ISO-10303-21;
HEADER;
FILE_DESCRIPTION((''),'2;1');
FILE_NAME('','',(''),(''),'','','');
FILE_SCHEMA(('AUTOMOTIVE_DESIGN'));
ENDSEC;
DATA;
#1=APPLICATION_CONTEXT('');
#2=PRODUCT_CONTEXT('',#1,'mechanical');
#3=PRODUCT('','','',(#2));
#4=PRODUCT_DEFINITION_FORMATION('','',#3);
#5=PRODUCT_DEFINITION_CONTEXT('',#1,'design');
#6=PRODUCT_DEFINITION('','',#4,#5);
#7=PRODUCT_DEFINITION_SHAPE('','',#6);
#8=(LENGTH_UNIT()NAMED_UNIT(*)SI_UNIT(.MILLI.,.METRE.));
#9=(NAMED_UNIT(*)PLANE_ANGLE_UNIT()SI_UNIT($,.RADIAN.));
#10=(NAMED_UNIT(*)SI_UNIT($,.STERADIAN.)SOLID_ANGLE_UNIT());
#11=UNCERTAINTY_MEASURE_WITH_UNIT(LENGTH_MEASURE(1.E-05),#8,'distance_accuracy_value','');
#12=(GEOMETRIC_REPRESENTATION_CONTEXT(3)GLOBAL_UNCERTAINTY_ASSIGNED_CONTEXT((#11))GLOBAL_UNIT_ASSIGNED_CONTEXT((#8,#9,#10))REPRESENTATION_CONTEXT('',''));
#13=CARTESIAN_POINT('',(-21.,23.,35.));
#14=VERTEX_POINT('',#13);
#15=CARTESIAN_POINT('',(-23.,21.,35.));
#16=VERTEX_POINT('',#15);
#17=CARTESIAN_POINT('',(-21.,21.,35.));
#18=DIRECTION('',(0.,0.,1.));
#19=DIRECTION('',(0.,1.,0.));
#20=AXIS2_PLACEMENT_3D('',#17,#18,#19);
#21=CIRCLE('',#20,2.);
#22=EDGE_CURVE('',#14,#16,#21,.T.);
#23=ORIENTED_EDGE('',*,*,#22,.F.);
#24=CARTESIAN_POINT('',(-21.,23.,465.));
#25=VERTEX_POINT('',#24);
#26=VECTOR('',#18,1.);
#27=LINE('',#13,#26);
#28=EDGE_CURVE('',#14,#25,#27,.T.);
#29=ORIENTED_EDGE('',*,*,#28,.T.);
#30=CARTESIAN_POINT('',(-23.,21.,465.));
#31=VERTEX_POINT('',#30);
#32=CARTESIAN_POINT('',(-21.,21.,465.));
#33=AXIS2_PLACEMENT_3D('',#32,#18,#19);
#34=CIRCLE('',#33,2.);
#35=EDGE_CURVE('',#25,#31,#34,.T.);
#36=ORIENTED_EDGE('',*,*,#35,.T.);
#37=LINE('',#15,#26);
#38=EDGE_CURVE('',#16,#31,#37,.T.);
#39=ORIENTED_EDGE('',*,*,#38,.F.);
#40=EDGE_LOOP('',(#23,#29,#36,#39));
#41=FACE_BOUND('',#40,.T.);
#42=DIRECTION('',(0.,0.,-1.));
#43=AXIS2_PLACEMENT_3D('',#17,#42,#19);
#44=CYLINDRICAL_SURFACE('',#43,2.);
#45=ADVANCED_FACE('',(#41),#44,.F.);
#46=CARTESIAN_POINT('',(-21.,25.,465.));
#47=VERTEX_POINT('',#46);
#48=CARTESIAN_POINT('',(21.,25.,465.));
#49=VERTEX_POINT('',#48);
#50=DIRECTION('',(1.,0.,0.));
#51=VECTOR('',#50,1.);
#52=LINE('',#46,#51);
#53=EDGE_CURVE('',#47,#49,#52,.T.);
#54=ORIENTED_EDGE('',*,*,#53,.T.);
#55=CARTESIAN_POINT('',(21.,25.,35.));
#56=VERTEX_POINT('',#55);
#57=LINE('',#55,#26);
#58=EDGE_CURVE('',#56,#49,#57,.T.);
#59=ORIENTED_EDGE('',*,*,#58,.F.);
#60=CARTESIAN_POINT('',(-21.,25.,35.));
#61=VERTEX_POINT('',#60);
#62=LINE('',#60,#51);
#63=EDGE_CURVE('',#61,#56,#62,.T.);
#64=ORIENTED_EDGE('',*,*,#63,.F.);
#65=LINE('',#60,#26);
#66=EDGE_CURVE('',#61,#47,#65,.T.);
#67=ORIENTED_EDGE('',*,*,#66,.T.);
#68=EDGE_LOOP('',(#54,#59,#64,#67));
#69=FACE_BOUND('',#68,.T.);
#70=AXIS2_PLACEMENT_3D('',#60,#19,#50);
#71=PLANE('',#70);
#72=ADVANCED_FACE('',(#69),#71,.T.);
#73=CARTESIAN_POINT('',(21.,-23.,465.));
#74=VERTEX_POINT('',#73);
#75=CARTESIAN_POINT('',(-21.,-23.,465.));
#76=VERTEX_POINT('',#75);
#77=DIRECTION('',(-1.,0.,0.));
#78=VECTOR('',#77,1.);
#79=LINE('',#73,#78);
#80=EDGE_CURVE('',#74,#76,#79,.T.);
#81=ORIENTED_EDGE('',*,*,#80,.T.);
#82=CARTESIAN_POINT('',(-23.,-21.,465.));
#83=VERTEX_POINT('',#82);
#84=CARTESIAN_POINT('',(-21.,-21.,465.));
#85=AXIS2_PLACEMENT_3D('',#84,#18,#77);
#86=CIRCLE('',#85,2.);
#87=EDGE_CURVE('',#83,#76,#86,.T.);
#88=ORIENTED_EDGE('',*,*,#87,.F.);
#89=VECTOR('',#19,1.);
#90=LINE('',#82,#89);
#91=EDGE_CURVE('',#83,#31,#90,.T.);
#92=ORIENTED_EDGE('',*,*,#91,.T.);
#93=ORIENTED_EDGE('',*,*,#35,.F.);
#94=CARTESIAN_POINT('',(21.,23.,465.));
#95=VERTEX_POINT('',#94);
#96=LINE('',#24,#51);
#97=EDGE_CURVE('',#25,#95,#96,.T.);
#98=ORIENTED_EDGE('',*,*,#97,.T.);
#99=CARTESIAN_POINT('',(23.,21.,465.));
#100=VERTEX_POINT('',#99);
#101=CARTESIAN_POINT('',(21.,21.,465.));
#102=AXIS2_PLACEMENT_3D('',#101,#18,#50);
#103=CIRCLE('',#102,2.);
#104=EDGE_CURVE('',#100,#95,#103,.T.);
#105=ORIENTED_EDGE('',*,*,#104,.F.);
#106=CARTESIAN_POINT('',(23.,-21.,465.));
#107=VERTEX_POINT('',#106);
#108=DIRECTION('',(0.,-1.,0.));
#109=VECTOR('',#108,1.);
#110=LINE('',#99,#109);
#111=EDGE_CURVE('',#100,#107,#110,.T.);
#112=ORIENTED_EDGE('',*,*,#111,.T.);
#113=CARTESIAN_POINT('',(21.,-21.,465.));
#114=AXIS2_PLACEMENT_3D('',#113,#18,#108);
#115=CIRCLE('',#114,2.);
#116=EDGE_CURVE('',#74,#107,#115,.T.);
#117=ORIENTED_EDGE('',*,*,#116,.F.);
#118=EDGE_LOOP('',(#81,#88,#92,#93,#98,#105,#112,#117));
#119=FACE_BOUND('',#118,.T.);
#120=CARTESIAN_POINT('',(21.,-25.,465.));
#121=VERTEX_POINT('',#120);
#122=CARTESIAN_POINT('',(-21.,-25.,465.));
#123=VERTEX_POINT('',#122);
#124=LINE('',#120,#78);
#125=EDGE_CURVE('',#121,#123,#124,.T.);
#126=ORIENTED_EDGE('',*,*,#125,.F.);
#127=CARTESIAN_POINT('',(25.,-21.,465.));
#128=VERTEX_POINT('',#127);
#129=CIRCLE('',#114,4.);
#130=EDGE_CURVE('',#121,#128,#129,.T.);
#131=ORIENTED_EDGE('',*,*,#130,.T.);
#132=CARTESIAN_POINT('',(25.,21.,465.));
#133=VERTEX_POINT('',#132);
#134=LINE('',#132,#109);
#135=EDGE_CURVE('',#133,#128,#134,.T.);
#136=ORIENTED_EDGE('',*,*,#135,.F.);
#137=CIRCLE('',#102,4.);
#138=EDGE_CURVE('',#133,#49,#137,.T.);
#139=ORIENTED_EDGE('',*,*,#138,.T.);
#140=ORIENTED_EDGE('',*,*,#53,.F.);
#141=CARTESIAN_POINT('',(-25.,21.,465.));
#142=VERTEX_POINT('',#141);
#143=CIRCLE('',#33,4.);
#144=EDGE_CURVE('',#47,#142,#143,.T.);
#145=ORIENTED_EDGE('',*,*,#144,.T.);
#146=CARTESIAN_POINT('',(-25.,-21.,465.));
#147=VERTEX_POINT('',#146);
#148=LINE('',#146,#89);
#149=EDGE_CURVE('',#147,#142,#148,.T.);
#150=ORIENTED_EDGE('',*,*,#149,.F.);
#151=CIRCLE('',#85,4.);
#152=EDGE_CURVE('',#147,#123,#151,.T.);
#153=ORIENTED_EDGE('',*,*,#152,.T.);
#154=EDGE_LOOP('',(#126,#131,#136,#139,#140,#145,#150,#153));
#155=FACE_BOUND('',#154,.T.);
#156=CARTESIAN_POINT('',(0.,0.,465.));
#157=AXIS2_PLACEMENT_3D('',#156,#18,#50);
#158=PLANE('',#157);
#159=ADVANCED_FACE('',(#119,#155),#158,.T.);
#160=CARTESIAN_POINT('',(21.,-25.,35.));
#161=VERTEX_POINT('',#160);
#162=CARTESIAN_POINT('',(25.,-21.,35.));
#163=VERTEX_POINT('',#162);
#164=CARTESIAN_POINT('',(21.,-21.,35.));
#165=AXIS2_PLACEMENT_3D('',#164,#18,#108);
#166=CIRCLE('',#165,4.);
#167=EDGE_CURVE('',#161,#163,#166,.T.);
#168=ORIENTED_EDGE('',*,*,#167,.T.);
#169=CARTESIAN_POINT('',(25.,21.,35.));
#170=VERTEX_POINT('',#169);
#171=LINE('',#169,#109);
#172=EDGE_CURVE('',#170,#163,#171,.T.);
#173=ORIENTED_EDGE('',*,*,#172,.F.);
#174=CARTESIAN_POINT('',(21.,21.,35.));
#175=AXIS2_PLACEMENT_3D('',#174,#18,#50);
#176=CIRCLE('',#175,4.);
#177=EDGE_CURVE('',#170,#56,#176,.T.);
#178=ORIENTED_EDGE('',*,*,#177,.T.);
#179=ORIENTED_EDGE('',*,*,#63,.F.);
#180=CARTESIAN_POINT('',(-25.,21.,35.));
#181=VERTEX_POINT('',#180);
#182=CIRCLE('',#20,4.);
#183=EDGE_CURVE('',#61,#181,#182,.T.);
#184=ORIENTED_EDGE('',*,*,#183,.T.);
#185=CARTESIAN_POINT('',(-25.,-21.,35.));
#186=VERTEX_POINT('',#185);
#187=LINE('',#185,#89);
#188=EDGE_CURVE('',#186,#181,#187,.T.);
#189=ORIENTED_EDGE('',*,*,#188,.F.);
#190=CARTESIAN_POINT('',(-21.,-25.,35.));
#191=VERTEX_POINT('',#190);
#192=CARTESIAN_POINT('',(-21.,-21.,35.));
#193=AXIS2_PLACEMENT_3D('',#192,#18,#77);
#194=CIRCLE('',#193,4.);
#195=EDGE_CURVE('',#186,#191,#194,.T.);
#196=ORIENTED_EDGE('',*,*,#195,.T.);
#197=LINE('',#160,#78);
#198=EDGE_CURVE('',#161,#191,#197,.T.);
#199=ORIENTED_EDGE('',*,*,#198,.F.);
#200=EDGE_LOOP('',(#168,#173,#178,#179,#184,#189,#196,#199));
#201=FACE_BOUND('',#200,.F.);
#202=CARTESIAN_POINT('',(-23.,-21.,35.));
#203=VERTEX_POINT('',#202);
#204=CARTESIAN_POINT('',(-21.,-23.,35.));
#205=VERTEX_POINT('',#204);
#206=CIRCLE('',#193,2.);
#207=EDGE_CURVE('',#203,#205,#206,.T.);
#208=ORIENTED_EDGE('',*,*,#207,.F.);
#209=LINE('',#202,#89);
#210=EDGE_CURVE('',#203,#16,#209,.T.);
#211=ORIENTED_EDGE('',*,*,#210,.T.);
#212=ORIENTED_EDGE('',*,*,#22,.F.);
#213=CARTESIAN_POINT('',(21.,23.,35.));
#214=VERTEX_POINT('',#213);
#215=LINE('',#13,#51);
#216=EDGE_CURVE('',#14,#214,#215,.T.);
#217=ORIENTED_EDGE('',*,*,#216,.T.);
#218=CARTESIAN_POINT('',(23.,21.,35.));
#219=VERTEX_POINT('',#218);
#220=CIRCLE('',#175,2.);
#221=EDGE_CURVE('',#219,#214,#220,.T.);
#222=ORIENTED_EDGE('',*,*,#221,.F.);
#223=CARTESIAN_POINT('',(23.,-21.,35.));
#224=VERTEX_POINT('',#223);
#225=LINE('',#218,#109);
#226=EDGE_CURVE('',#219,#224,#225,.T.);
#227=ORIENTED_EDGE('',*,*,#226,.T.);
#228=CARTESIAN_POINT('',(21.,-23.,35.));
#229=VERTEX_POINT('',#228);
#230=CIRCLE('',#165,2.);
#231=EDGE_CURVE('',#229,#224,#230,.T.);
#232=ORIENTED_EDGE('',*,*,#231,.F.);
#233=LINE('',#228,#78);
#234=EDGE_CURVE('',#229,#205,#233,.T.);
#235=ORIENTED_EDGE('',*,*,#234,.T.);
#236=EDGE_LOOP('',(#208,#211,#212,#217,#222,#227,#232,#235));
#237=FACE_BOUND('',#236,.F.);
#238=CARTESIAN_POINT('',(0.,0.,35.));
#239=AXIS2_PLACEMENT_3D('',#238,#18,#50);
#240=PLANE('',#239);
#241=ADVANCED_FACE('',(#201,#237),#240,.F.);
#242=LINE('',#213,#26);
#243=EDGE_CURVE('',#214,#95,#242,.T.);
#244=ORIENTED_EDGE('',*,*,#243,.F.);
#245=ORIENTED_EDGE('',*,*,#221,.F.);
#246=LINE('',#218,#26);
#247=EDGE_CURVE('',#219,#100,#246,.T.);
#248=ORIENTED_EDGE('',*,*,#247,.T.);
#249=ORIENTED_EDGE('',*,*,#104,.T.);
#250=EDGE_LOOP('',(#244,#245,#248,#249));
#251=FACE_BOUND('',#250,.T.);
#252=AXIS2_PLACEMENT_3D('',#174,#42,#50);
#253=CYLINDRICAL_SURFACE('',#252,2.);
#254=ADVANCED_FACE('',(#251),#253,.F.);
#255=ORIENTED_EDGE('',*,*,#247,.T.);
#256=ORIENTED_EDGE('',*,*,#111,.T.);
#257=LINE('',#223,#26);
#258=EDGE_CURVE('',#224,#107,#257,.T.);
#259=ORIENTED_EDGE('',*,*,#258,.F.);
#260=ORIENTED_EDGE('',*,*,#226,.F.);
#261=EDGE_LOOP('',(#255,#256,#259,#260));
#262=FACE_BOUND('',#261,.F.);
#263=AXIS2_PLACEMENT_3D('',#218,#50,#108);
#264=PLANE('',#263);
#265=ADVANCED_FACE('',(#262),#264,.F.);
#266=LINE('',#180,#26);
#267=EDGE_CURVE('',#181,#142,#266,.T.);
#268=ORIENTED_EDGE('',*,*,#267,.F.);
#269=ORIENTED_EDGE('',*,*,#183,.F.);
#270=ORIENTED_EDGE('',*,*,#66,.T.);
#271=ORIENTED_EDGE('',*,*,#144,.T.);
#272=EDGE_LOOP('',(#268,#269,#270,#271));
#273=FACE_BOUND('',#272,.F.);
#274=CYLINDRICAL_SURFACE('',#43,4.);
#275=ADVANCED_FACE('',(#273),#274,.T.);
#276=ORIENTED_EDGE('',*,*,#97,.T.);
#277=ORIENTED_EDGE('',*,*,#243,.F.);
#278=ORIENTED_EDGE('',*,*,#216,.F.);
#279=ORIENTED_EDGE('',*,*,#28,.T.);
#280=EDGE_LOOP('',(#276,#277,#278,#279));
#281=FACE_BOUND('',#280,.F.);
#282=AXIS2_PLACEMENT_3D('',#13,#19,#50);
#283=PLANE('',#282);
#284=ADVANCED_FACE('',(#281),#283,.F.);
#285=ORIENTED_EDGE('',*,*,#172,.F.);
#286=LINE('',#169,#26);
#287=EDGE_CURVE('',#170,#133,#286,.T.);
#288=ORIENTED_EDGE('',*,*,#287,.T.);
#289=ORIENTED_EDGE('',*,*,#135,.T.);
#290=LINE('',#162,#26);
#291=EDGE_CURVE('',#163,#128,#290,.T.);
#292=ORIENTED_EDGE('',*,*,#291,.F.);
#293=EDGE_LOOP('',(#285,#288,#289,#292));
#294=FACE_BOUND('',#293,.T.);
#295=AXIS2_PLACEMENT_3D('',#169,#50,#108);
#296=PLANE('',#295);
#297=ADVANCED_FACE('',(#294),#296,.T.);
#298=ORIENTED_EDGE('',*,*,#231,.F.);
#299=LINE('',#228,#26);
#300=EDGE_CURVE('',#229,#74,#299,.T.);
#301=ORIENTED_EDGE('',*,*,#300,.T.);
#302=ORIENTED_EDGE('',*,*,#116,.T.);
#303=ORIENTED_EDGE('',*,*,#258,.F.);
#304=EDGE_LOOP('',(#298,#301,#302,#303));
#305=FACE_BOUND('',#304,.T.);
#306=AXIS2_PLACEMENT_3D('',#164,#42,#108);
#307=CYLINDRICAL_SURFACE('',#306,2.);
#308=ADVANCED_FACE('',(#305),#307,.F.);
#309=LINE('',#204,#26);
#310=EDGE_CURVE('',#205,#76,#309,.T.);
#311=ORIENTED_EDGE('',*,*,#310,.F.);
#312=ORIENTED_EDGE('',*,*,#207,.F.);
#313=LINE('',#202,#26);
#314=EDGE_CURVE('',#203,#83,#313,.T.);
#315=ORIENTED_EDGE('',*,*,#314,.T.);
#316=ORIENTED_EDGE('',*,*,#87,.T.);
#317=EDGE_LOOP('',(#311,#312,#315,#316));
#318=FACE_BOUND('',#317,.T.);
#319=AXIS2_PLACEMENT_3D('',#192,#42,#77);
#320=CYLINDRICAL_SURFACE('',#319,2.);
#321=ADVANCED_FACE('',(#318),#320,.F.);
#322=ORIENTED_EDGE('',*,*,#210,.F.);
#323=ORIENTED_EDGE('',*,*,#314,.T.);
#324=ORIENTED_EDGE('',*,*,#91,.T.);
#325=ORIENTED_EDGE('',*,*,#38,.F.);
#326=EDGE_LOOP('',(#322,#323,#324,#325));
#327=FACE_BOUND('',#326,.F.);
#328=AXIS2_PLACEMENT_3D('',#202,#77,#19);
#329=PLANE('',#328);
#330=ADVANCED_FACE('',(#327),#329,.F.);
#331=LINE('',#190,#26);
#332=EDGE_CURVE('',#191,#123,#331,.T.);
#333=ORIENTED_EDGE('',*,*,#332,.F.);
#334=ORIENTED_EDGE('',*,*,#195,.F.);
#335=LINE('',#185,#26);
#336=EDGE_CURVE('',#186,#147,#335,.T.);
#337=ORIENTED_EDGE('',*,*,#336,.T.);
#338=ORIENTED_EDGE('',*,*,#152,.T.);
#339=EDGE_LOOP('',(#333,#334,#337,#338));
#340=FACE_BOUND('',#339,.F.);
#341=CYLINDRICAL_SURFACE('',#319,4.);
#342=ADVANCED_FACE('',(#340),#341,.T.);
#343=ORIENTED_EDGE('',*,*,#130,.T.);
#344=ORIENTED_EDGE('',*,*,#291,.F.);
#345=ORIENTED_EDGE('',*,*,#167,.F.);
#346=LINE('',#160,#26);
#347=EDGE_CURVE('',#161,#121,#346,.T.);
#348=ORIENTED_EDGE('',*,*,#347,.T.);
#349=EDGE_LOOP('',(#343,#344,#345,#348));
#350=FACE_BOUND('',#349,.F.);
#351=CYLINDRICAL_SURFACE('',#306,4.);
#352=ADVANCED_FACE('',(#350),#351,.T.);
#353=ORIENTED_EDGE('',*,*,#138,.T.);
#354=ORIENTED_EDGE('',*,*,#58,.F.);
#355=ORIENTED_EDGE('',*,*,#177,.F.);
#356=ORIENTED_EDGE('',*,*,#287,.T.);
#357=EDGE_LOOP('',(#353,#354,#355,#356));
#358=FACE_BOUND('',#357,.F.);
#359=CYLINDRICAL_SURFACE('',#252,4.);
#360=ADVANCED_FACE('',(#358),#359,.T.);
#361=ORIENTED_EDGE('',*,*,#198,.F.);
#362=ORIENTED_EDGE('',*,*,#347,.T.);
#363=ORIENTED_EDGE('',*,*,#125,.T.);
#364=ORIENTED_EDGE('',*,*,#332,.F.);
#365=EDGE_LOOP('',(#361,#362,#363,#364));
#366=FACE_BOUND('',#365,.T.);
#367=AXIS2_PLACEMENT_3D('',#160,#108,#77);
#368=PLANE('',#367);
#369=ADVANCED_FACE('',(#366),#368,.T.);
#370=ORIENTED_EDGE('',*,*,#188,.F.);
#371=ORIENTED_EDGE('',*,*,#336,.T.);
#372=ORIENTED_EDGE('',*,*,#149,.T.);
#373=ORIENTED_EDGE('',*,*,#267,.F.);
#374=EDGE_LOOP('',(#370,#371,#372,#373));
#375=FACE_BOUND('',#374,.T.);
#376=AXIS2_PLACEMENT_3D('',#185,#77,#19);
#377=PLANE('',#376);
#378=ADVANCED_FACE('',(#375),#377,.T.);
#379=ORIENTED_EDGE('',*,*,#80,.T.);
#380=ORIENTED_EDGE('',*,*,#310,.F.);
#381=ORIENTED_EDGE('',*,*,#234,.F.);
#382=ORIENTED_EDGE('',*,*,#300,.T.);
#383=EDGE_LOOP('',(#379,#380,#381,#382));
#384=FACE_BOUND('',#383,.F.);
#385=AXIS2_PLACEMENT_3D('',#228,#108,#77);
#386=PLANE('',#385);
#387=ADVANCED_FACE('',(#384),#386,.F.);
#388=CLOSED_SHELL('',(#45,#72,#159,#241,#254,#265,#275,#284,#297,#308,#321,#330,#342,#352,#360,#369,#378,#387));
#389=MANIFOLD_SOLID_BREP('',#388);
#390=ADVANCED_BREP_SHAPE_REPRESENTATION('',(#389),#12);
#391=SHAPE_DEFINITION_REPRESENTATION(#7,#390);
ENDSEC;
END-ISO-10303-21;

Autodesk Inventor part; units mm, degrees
ref_plane "Plano inicial" through (0, 0, 35) normal (0, 0, 1) x (1, 0, 0)
ref_plane "Plano final" through (0, 0, 465) normal (0, 0, 1) x (1, 0, 0)
sketch "Boceto" plane through (0, 0, 0) normal (0, 0, 1) x (1, 0, 0)
  line L0 (-25, -21) -> (-25, 21)
  line L1 (-21, 25) -> (21, 25)
  line L2 (25, 21) -> (25, -21)
  line L3 (21, -25) -> (-21, -25)
  arc A0 (-25, -21) -> (-21, -25) centre (-21, -21) ccw
  arc A1 (25, 21) -> (21, 25) centre (21, 21) ccw
  arc A2 (-21, 25) -> (-25, 21) centre (-21, 21) ccw
  arc A3 (21, -25) -> (25, -21) centre (21, -21) ccw
  arc A4 (-21, 23) -> (-23, 21) centre (-21, 21) ccw
  line L4 (-21, 23) -> (21, 23)
  arc A5 (23, 21) -> (21, 23) centre (21, 21) ccw
  line L5 (23, 21) -> (23, -21)
  arc A6 (21, -23) -> (23, -21) centre (21, -21) ccw
  line L6 (21, -23) -> (-21, -23)
  arc A7 (-23, -21) -> (-21, -23) centre (-21, -21) ccw
  line L7 (-23, -21) -> (-23, 21)
  line L8 (0, 36.1598) -> (0, -36.1598) construction
  line L9 (-36.1598, 0) -> (36.1598, 0) construction
  dimension "d7" = 4
  dimension "d9" = 50
  dimension "d11" = 50
  dimension "d12" = 2
  dimension "d15" = 25
  dimension "d16" = 25
extrude "Cuerpo" add sketch "Boceto" along normal up to surface (430 mm away) from surface at 35
sketch "Sketch3" plane through (0, 0, 0) normal (0, 0, 1) x (1, 0, 0)
  line L0 (0, 0) -> (10, 0)
ref_plane "Work Plane3" through (0, 0, 0) normal (0, -1, 0) x (1, 0, 0)
sketch "Sketch4" plane through (0, 0, 0) normal (0, -1, 0) x (1, 0, 0)
  line L0 (-2, 35) -> (12, 35)
  line L1 (-2, 465) -> (12, 465)
  dimension "d18" = 430
ref_plane "Plano de trabajo4" through (0, 29, 35) normal (0, 0, -1) x (-1, 0, 0)
split "Dividir1" plane through (0, 29, 35) removes the side toward (0, 0, -1)
ref_plane "Plano de trabajo5" through (0, -29, 465) normal (0, 0, 1) x (1, 0, 0)
split "Dividir2" plane through (0, -29, 465) removes the side toward (0, 0, 1)
equation "\"d7\" = G_IR"
equation "\"d9\" = G_W"
equation "\"d11\" = G_H"
equation "\"d12\" = G_T"
equation "\"d15\" = 0.5 * d9"
equation "\"d16\" = 0.5 * d11"
equation "\"d3\" = G_L"
equation "\"G_W\" = 50"
equation "\"G_H\" = 50"
equation "\"G_T\" = 2"
equation "\"G_IR\" = 4"
equation "\"G_L\" = d18"
equation "\"G_OFFSET_START\" = -35"
equation "\"G_OFFSET_END\" = -35"
equation "\"d13\" = -G_OFFSET_START"
equation "\"d14\" = G_OFFSET_END + B_L"
equation "\"B_L\" = 500"
properties part number "ISO 10799-2 - 50x50x2 - 430" material "Galvanizado catalogo 1"
